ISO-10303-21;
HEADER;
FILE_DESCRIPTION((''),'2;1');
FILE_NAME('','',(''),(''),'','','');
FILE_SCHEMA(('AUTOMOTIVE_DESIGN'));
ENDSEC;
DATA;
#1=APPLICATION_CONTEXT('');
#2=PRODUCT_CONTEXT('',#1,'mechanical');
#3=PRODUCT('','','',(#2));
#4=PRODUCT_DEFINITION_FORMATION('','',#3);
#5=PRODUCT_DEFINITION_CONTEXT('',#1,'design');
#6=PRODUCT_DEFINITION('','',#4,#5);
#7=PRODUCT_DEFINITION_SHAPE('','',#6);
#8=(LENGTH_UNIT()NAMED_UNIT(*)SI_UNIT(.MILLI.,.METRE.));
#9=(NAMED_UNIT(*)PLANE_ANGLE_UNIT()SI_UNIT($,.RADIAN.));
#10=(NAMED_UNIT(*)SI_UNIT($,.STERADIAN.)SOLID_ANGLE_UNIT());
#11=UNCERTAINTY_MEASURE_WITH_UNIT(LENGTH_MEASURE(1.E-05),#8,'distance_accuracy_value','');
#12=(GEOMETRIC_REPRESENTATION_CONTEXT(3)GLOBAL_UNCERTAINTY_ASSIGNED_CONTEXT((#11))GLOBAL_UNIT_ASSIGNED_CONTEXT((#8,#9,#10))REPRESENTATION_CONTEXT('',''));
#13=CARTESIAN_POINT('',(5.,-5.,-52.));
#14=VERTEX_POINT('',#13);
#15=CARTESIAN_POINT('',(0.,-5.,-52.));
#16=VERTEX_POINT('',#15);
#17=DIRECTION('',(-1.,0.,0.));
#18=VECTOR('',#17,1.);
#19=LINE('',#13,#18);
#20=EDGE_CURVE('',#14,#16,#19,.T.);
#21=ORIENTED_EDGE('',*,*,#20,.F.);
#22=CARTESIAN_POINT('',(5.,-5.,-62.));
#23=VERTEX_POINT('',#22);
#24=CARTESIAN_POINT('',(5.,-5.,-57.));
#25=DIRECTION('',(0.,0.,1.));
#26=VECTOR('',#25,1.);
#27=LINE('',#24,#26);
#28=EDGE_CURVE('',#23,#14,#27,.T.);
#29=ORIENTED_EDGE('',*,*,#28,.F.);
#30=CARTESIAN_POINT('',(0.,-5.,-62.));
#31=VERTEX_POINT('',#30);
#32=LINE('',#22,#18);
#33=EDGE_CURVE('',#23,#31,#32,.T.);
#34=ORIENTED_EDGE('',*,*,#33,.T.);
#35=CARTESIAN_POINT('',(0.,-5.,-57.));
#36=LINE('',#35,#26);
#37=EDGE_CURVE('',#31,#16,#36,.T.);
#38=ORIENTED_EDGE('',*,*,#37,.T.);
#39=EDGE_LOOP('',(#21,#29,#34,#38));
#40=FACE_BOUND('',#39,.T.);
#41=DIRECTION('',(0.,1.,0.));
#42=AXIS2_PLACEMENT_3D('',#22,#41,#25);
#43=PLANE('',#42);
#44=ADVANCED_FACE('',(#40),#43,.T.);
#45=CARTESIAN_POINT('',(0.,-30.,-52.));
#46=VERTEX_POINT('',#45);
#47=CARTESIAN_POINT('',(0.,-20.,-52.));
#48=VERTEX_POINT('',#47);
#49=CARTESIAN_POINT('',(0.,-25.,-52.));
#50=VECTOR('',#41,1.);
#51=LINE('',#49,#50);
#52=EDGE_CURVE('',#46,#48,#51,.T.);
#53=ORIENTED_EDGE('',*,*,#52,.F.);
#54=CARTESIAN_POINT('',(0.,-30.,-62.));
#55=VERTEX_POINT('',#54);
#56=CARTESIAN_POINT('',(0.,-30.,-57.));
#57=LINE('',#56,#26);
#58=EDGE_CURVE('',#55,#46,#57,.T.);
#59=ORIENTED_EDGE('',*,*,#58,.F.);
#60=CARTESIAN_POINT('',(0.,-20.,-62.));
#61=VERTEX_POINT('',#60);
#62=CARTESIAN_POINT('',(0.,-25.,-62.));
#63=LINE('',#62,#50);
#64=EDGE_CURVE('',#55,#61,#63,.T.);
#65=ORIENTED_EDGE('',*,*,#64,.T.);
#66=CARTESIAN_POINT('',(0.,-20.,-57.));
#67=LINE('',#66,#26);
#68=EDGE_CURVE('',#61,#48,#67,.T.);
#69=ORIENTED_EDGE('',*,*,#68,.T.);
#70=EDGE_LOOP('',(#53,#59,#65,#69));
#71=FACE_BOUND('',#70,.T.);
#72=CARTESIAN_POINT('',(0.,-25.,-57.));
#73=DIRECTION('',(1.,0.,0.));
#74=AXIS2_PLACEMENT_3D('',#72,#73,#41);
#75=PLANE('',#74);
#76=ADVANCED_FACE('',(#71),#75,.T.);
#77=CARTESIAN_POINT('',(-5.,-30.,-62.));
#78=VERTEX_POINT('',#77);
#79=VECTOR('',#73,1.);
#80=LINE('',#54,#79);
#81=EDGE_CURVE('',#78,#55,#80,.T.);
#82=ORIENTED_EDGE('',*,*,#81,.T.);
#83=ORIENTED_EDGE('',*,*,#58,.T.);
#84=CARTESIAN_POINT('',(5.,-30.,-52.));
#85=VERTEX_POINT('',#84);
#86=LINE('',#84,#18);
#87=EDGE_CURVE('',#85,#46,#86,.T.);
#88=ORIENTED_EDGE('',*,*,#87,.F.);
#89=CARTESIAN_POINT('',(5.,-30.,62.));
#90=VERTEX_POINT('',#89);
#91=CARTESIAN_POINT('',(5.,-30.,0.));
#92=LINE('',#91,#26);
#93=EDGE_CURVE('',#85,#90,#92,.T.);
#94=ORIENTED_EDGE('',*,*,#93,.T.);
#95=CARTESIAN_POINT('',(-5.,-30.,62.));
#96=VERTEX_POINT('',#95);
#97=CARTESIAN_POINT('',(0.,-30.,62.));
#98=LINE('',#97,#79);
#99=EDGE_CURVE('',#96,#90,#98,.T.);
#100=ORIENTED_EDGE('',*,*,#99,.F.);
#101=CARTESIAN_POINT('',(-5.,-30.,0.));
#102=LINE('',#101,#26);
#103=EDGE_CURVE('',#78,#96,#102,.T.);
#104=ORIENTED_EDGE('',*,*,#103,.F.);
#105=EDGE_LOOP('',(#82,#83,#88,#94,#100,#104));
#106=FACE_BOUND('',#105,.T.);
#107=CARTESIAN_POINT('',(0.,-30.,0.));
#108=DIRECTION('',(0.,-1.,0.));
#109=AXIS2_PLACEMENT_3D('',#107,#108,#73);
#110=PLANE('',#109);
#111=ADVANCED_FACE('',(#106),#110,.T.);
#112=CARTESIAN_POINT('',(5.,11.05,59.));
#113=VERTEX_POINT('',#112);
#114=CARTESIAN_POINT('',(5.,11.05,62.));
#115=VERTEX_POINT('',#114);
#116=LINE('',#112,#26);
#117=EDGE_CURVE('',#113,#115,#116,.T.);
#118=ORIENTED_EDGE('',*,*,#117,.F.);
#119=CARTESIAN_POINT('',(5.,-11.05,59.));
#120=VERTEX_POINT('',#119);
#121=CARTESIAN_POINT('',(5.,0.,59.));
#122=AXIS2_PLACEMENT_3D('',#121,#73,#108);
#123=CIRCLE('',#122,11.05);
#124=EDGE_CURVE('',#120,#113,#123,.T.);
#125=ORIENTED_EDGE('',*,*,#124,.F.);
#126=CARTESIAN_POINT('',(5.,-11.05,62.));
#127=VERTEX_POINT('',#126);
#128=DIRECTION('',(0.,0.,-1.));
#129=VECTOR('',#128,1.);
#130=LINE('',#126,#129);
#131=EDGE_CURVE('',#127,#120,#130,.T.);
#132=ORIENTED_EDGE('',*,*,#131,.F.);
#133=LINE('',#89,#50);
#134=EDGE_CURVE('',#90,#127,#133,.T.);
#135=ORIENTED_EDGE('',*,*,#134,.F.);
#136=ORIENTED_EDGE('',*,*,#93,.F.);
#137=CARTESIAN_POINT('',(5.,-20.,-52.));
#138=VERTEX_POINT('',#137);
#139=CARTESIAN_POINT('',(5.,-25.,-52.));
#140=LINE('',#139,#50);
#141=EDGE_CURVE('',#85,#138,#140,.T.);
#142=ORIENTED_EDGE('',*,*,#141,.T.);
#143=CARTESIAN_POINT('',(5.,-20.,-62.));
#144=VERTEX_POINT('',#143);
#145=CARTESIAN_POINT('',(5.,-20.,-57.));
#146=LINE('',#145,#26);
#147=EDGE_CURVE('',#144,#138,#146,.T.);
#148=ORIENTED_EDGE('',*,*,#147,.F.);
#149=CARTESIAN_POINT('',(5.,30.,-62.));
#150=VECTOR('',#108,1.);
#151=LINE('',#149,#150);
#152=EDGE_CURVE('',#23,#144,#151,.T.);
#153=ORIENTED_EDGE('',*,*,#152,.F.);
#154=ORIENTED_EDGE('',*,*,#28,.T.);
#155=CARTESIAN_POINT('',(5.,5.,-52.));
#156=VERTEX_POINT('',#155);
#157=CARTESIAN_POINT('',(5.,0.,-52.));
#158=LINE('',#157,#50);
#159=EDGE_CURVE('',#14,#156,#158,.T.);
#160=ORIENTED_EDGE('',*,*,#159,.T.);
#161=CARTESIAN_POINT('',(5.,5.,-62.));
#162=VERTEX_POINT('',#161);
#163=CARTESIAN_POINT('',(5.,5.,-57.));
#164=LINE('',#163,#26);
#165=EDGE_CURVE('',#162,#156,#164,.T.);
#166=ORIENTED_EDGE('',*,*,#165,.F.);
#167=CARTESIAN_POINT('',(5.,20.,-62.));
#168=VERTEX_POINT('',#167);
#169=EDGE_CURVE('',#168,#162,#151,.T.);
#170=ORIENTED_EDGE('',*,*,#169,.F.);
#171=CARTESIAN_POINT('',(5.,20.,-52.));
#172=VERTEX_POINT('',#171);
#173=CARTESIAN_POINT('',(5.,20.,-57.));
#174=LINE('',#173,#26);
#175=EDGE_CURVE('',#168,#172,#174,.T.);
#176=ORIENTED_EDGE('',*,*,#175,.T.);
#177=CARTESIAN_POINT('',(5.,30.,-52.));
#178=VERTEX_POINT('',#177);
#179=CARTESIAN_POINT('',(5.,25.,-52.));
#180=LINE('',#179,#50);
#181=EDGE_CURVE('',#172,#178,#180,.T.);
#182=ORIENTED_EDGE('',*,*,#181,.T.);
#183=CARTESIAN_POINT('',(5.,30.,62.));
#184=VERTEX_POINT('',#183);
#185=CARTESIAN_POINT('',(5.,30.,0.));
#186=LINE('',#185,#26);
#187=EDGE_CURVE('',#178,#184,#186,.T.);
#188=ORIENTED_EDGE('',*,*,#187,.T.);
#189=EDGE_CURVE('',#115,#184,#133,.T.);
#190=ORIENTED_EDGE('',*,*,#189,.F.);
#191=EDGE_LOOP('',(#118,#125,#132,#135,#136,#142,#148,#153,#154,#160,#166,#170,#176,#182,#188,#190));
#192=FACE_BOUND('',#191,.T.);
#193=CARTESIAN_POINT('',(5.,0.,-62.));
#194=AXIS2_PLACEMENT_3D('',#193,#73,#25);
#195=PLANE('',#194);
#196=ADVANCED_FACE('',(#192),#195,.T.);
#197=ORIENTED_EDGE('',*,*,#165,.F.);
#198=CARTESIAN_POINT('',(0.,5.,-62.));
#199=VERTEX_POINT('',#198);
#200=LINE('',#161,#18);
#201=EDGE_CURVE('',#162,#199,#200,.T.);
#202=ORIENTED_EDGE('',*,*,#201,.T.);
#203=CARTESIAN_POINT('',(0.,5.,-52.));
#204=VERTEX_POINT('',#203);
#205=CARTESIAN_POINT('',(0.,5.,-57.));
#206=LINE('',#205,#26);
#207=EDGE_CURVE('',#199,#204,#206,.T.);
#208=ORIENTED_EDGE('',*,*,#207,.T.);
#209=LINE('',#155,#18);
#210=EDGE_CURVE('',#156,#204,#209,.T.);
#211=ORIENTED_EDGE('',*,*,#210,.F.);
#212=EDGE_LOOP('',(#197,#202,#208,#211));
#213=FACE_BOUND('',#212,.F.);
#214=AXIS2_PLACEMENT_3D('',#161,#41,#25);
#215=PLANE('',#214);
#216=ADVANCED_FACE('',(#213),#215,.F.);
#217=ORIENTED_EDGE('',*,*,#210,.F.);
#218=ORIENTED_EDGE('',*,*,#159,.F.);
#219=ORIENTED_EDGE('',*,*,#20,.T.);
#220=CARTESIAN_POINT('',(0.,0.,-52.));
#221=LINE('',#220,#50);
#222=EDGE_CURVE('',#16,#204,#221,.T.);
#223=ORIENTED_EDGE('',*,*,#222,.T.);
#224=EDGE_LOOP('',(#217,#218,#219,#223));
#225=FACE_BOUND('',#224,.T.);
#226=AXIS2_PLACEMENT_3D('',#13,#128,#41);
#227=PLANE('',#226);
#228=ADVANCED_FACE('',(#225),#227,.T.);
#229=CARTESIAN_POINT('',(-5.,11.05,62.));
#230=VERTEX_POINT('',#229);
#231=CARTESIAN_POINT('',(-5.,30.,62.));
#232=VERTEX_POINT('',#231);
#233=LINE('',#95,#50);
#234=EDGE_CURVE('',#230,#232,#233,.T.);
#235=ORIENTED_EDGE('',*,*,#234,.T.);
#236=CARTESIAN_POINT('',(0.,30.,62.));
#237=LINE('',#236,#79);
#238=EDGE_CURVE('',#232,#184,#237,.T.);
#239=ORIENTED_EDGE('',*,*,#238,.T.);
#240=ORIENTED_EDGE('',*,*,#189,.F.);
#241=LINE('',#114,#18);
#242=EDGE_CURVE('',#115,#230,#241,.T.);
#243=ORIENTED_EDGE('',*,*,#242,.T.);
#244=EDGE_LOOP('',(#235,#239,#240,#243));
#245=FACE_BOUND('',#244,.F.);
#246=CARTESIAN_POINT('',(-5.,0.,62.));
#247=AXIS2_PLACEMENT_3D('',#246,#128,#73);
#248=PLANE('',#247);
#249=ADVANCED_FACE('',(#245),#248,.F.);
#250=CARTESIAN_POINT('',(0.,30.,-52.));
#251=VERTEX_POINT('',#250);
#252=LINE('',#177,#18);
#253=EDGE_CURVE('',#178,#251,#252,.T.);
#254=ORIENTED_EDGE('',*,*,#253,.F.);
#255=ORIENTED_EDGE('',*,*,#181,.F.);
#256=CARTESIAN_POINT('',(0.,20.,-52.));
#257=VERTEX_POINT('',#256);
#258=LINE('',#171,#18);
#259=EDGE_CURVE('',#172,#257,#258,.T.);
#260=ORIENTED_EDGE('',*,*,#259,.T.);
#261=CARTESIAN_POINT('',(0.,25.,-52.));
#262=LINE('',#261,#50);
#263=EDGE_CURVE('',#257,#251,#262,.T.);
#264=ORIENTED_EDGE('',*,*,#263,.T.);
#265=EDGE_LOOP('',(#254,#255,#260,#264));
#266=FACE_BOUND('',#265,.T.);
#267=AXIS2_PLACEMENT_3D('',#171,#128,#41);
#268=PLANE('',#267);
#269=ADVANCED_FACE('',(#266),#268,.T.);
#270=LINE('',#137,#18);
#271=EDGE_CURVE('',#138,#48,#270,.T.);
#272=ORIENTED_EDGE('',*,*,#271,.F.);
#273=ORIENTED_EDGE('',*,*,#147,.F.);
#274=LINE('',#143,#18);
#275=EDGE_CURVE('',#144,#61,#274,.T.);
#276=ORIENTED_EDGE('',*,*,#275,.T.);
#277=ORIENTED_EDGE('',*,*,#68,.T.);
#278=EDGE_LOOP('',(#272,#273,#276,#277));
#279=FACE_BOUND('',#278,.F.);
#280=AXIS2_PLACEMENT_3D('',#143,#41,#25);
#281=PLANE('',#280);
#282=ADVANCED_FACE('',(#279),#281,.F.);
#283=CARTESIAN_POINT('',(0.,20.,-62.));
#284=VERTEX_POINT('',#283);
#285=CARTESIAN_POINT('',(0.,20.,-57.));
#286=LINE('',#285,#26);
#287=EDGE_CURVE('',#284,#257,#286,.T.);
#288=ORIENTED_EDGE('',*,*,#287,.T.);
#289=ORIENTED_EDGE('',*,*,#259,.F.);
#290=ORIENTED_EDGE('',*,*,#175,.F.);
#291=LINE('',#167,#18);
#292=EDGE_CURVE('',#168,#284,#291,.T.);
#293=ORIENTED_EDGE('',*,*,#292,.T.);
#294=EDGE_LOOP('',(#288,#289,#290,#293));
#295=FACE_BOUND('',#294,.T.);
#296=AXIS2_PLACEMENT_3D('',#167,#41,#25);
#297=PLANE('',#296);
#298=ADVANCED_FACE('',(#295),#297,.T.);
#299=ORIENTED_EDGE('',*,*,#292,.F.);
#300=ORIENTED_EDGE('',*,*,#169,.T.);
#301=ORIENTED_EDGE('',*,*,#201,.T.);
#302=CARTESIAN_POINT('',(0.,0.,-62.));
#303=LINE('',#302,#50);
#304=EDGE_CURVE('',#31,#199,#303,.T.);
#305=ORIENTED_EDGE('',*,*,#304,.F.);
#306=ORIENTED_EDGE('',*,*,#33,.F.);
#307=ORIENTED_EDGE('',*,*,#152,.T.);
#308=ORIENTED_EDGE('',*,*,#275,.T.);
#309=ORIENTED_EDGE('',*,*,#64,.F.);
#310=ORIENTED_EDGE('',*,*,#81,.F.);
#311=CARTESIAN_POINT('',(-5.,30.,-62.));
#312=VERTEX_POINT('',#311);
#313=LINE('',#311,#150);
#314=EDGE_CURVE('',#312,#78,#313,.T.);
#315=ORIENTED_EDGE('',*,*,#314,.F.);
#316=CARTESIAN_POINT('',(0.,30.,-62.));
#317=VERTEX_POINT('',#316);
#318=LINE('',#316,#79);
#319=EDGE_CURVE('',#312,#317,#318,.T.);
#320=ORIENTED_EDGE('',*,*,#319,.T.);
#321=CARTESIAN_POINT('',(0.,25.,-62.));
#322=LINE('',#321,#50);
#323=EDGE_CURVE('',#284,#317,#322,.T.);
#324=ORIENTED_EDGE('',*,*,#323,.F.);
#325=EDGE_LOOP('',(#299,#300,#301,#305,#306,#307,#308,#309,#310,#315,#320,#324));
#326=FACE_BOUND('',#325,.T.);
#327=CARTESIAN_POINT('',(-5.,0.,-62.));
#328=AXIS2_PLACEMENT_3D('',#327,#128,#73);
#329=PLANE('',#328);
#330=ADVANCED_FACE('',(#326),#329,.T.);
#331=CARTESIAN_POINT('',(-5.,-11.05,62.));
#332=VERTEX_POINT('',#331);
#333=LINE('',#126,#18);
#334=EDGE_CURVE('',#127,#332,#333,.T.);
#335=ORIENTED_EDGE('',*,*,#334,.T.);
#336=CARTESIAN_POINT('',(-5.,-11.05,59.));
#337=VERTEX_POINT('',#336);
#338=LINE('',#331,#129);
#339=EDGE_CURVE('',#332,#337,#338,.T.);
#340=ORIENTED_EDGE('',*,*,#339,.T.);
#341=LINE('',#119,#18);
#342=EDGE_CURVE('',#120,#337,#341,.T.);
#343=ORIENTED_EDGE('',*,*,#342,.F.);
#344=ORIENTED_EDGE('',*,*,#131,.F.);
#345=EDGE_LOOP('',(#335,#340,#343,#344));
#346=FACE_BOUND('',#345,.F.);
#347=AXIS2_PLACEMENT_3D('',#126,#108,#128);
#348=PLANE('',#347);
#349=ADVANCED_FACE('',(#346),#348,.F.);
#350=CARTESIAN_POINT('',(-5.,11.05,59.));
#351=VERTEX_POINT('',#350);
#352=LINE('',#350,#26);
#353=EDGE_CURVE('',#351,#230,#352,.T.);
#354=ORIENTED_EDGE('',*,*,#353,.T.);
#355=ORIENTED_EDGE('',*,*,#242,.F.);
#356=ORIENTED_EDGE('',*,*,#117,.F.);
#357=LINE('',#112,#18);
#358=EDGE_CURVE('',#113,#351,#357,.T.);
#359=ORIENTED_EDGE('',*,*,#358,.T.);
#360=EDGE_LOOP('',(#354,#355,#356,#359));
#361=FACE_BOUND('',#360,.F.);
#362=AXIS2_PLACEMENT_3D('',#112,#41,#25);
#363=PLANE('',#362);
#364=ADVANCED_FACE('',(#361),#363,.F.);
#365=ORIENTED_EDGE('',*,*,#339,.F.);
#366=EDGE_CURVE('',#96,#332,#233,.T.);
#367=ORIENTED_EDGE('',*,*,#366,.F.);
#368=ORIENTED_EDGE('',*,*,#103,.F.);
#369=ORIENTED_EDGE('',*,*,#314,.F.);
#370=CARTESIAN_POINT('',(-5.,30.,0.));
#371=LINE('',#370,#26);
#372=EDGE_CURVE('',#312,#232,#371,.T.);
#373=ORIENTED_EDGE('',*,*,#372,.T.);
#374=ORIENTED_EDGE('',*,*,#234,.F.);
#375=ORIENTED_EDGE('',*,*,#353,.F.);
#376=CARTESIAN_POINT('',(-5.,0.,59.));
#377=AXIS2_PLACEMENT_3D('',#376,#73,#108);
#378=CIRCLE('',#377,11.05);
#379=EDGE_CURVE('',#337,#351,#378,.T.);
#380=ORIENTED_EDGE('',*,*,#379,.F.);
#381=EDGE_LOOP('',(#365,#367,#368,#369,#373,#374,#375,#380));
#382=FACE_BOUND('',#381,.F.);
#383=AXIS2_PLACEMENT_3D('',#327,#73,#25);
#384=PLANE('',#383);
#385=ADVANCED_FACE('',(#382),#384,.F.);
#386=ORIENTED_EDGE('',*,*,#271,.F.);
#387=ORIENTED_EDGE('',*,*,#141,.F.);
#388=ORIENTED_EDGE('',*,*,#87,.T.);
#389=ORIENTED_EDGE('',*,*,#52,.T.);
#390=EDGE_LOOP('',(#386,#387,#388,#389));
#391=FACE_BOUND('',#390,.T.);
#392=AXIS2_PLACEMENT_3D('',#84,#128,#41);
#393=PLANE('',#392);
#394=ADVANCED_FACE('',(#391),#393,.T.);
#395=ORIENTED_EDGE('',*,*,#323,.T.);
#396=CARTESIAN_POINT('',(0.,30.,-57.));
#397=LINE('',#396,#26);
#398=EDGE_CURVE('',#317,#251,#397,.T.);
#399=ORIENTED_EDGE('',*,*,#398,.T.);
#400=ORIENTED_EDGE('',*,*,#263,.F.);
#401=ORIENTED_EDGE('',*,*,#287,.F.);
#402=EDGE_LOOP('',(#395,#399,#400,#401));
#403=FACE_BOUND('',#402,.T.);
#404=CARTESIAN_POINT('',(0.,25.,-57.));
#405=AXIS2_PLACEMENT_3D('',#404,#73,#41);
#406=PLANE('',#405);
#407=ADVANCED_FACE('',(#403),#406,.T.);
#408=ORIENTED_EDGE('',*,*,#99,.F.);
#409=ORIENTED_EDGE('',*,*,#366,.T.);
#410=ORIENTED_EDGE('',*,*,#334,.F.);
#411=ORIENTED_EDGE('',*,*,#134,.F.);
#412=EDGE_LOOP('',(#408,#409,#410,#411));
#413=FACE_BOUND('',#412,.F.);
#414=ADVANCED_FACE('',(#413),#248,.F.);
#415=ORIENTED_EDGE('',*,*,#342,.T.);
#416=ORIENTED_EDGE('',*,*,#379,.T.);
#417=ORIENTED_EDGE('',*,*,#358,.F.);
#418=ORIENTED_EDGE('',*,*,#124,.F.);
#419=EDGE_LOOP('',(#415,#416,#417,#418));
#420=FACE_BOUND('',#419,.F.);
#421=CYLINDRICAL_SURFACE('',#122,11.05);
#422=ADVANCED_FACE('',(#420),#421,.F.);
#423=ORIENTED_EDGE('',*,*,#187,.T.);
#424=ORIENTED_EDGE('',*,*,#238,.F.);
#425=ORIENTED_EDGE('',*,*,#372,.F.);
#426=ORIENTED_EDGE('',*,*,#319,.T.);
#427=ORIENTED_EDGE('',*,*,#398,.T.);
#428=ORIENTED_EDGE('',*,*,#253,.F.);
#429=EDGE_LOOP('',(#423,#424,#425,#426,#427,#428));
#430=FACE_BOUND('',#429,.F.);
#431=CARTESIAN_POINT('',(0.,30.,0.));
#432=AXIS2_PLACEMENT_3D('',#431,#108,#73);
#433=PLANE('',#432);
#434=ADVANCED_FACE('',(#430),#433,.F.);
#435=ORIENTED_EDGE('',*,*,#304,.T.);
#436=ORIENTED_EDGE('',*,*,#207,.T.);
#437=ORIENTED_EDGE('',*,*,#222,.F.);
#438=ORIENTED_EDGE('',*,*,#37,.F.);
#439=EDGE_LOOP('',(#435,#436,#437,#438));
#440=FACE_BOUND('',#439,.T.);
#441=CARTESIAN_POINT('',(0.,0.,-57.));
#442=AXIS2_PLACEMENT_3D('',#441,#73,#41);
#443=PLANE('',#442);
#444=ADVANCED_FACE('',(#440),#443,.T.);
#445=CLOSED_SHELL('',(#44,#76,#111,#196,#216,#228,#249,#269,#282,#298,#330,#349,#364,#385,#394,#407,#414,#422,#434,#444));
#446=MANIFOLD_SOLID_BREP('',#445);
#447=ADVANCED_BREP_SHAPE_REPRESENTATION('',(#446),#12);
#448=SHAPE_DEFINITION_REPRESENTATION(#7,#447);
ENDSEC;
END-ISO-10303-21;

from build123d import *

# Parameters (mm, degrees)
F0_W     = 10
F0_H     = 124
F1_DEPTH = 30
F3_DEPTH = 10
F4_W     = 10
F4_H     = 10
F5_DEPTH = 5


with BuildPart() as f1:
    # F0 (on Front) → F1 (new body, symmetric)
    with BuildSketch(Plane.XZ):
        Rectangle(F0_W, F0_H)
    extrude(amount=F1_DEPTH, both=True)

    # F2 (on face) → F3 (cut)
    with BuildSketch(Plane.YZ.offset(5)):
        with BuildLine():
            Line((-11.05, 62), (-11.05, 59))
            ThreePointArc((-11.05, 59), (0, 47.95), (11.05, 59))
            Line((11.05, 59), (11.05, 62))
            Line((11.05, 62), (-11.05, 62))
        make_face()
    extrude(amount=-F3_DEPTH, mode=Mode.SUBTRACT)

    # F4 (on face) → F5 (cut)
    with BuildSketch(Plane.YZ.offset(5)):
        with Locations((-25, -57)):
            Rectangle(F4_W, F4_H)
        with Locations((25, -57)):
            Rectangle(F4_W, F4_H)
        with Locations((0, -57)):
            Rectangle(F4_W, F4_H)
    extrude(amount=-F5_DEPTH, mode=Mode.SUBTRACT)


solid = f1.part
